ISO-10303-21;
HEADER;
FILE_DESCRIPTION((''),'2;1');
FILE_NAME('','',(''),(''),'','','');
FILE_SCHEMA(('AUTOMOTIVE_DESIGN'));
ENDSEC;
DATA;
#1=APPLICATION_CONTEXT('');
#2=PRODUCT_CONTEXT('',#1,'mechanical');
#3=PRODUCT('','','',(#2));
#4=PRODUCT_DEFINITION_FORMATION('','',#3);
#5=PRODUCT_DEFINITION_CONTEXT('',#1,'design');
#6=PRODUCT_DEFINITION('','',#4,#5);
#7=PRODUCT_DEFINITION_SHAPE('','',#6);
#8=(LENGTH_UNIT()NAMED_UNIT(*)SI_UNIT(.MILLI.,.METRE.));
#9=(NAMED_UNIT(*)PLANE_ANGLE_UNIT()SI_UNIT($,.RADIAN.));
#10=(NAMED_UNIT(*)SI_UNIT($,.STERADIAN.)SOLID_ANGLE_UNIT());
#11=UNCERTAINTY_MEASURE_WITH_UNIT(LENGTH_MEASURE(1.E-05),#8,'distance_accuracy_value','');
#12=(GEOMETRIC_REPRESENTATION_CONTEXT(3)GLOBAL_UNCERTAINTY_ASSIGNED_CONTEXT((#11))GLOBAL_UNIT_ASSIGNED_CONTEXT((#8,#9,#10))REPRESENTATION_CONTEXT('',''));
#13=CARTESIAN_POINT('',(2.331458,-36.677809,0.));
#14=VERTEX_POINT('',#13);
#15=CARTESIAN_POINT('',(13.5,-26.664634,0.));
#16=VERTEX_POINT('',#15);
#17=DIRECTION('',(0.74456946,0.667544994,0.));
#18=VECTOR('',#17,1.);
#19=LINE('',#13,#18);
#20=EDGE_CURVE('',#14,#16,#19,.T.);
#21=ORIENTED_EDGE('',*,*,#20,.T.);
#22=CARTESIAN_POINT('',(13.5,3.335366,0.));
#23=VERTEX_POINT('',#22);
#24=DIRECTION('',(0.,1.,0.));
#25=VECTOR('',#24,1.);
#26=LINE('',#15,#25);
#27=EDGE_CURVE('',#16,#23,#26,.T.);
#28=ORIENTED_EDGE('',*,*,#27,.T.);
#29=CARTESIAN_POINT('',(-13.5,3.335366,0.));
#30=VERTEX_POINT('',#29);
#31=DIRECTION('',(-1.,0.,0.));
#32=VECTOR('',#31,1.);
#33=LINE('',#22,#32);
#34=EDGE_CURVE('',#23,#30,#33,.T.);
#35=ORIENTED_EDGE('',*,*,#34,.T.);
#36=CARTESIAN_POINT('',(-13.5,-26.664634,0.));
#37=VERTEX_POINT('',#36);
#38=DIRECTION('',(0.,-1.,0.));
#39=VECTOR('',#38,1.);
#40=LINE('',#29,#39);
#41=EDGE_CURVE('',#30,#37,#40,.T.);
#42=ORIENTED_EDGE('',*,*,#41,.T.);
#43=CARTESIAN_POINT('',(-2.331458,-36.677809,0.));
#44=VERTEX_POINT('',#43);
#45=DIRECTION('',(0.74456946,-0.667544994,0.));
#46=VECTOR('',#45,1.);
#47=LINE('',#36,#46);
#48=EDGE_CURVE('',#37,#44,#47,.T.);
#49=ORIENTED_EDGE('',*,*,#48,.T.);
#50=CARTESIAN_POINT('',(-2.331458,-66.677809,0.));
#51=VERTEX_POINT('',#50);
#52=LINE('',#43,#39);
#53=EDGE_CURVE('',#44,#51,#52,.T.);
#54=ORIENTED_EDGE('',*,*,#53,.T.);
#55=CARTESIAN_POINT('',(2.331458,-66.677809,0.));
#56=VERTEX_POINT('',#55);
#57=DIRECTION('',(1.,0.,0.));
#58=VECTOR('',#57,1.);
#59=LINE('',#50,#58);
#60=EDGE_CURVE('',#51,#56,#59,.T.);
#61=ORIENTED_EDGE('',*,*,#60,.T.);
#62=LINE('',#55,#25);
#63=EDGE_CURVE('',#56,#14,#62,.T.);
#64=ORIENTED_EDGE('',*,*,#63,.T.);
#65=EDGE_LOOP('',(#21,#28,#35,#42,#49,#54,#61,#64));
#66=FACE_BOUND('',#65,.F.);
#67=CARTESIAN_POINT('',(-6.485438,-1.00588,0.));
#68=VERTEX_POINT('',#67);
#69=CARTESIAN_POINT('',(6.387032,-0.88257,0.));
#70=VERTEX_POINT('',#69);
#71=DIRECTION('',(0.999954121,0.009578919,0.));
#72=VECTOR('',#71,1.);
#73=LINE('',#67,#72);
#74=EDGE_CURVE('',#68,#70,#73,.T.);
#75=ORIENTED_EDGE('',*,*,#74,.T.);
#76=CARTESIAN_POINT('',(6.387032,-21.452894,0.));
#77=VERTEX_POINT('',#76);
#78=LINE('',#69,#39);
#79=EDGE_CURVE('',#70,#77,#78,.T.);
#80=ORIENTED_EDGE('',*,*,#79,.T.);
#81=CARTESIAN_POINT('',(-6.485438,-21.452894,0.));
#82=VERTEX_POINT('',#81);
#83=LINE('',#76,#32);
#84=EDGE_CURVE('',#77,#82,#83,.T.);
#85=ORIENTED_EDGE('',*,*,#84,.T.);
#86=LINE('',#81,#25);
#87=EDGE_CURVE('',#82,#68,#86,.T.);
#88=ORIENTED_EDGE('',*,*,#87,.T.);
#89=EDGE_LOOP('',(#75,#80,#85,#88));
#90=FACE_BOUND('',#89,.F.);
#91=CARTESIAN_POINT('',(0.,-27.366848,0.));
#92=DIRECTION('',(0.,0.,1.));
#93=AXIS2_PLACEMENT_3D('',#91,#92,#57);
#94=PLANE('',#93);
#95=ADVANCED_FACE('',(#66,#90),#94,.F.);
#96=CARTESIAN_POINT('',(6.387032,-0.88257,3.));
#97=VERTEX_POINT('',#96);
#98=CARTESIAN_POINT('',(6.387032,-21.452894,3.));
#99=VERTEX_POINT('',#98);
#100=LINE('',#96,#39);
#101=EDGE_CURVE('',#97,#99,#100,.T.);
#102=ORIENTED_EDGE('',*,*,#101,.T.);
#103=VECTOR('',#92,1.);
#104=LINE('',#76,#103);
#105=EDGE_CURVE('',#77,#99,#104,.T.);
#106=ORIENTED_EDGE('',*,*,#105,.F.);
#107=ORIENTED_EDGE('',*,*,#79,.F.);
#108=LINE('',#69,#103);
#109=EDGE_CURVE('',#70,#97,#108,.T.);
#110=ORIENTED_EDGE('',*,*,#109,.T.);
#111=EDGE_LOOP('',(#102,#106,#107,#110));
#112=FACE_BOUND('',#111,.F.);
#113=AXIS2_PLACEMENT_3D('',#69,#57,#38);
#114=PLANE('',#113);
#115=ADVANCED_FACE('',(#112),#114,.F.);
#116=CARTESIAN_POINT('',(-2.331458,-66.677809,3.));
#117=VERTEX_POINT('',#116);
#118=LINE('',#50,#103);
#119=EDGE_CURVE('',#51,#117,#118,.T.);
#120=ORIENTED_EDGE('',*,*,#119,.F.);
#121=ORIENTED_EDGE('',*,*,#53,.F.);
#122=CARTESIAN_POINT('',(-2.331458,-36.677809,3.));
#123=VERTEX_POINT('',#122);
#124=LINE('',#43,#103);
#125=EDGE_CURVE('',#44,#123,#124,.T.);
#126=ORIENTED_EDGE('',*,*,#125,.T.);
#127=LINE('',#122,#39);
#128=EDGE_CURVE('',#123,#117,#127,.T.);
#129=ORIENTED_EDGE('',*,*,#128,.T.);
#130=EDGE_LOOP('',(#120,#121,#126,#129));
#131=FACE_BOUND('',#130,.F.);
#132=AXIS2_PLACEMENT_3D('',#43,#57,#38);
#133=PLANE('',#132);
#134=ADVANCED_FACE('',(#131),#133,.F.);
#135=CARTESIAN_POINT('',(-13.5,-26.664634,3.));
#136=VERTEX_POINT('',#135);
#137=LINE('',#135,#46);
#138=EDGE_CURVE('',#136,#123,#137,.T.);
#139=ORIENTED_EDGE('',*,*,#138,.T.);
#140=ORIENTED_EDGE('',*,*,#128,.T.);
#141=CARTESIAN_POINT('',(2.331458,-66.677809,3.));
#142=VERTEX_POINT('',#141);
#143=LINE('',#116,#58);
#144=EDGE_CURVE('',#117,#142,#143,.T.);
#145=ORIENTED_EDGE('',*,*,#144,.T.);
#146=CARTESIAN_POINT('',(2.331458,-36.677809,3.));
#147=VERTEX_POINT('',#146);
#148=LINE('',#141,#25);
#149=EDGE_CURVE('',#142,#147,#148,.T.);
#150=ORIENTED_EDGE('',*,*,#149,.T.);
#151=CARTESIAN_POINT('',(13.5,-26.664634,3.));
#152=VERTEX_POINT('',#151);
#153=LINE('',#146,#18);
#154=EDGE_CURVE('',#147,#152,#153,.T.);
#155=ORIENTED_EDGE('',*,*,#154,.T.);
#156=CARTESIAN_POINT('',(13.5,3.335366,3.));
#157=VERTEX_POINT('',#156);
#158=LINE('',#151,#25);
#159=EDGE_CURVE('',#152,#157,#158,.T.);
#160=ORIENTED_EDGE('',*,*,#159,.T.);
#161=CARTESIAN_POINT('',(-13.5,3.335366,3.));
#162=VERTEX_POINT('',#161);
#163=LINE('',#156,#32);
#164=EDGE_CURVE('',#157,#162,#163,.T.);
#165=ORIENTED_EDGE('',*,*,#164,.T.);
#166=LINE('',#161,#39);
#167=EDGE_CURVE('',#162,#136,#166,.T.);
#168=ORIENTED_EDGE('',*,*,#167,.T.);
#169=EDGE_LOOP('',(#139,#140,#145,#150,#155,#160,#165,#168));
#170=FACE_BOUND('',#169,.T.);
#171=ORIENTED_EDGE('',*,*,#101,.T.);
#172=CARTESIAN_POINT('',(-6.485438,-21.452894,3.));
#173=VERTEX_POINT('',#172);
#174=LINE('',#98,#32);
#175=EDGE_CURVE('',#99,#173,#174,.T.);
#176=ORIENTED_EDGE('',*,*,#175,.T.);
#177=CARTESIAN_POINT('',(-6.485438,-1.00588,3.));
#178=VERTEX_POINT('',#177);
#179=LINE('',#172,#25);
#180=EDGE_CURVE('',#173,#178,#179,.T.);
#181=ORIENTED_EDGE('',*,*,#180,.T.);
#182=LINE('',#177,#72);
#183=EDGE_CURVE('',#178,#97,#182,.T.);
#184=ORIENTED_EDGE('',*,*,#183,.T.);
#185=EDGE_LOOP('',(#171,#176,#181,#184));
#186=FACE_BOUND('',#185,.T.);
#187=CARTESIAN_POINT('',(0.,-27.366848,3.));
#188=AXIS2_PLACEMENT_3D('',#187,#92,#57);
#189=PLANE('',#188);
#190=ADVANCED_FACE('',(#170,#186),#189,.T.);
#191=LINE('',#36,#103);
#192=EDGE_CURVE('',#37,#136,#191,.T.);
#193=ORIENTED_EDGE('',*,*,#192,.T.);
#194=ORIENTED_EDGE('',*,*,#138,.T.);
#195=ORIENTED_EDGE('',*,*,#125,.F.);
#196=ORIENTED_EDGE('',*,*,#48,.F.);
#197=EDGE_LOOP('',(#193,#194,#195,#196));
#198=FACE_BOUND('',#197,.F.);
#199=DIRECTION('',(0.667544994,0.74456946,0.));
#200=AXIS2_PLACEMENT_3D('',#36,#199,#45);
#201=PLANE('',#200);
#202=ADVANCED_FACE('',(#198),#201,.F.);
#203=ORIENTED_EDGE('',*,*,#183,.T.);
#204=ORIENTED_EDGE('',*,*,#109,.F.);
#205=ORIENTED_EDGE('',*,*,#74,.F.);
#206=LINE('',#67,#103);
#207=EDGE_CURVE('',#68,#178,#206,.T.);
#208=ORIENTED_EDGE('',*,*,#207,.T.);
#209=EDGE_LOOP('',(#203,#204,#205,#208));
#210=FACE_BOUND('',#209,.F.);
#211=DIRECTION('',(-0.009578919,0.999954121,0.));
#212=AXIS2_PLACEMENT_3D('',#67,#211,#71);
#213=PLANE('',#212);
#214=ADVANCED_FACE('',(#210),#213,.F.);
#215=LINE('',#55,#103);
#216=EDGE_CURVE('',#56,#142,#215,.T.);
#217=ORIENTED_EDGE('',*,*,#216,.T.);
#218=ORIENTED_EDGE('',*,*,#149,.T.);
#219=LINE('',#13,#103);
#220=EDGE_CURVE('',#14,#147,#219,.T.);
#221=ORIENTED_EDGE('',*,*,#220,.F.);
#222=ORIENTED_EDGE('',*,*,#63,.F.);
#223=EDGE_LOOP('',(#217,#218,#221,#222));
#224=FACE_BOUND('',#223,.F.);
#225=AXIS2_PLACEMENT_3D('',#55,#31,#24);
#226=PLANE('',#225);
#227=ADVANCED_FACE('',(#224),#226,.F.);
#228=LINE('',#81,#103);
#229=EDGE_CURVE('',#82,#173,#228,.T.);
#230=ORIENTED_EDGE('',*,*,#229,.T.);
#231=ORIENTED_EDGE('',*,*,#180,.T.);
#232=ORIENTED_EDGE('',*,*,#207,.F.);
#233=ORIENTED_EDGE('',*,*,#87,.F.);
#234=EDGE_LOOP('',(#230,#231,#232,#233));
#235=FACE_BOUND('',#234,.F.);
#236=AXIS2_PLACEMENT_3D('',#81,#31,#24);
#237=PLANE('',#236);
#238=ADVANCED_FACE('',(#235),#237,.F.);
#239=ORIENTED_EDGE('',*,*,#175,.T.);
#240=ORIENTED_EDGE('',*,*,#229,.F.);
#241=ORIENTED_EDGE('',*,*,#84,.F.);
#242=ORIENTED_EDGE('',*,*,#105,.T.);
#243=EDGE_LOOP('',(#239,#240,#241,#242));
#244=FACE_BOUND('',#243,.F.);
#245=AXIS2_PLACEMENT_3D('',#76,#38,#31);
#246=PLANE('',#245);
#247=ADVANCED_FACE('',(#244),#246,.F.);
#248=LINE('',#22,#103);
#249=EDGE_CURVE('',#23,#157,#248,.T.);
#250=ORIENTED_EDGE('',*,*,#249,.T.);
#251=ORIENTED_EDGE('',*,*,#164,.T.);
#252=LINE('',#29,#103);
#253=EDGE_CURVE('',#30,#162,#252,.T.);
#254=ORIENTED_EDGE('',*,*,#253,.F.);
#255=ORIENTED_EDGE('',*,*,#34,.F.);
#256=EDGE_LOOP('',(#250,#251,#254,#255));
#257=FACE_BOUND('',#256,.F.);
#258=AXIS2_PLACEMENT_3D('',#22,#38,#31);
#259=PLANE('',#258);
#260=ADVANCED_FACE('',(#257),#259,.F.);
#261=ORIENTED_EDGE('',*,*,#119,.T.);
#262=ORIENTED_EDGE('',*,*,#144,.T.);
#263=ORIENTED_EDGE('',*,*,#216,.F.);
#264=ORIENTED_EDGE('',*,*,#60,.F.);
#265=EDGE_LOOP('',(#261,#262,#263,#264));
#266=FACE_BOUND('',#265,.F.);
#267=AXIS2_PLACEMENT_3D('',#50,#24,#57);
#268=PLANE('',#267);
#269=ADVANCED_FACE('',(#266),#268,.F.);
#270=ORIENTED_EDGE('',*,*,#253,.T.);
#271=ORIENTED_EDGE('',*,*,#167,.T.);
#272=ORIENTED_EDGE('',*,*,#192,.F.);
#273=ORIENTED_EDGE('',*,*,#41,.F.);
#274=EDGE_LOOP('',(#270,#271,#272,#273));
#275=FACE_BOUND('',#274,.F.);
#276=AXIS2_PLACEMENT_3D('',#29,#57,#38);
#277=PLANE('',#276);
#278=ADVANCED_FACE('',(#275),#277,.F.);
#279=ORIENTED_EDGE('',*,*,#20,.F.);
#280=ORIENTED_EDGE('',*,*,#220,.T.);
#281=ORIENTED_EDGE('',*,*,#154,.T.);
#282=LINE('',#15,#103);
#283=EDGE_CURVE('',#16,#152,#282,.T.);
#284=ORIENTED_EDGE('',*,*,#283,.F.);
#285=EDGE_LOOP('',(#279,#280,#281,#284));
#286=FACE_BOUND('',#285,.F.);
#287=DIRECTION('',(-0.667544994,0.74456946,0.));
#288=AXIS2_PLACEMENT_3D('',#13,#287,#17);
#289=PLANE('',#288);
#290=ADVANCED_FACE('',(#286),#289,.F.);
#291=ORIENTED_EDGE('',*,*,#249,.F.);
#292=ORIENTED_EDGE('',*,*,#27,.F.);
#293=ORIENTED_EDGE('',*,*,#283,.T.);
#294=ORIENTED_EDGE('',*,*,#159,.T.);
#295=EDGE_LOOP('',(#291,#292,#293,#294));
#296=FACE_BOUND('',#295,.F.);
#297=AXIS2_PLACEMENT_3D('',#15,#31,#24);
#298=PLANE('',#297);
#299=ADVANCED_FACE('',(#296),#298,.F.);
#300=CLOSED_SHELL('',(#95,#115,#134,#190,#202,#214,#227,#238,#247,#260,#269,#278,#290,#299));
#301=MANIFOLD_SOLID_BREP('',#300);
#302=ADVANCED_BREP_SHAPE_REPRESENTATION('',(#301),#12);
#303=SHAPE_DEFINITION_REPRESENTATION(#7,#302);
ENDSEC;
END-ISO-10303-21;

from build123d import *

# Parameters (mm, degrees)
F1_DEPTH = 3


with BuildPart() as f1:
    # F0 (on Top) → F1 (new body)
    with BuildSketch(Plane.XY):
        Polygon((13.5, -26.664634), (13.5, 3.335366), (-13.5, 3.335366), (-13.5, -26.664634), (-2.331458, -36.677809), (-2.331458, -66.677809), (2.331458, -66.677809), (2.331458, -36.677809), align=None)
        Polygon((-6.485438, -21.452894), (-6.485438, -1.00588), (6.387032, -0.88257), (6.387032, -21.452894), align=None, mode=Mode.SUBTRACT)
    extrude(amount=F1_DEPTH)


solid = f1.part
